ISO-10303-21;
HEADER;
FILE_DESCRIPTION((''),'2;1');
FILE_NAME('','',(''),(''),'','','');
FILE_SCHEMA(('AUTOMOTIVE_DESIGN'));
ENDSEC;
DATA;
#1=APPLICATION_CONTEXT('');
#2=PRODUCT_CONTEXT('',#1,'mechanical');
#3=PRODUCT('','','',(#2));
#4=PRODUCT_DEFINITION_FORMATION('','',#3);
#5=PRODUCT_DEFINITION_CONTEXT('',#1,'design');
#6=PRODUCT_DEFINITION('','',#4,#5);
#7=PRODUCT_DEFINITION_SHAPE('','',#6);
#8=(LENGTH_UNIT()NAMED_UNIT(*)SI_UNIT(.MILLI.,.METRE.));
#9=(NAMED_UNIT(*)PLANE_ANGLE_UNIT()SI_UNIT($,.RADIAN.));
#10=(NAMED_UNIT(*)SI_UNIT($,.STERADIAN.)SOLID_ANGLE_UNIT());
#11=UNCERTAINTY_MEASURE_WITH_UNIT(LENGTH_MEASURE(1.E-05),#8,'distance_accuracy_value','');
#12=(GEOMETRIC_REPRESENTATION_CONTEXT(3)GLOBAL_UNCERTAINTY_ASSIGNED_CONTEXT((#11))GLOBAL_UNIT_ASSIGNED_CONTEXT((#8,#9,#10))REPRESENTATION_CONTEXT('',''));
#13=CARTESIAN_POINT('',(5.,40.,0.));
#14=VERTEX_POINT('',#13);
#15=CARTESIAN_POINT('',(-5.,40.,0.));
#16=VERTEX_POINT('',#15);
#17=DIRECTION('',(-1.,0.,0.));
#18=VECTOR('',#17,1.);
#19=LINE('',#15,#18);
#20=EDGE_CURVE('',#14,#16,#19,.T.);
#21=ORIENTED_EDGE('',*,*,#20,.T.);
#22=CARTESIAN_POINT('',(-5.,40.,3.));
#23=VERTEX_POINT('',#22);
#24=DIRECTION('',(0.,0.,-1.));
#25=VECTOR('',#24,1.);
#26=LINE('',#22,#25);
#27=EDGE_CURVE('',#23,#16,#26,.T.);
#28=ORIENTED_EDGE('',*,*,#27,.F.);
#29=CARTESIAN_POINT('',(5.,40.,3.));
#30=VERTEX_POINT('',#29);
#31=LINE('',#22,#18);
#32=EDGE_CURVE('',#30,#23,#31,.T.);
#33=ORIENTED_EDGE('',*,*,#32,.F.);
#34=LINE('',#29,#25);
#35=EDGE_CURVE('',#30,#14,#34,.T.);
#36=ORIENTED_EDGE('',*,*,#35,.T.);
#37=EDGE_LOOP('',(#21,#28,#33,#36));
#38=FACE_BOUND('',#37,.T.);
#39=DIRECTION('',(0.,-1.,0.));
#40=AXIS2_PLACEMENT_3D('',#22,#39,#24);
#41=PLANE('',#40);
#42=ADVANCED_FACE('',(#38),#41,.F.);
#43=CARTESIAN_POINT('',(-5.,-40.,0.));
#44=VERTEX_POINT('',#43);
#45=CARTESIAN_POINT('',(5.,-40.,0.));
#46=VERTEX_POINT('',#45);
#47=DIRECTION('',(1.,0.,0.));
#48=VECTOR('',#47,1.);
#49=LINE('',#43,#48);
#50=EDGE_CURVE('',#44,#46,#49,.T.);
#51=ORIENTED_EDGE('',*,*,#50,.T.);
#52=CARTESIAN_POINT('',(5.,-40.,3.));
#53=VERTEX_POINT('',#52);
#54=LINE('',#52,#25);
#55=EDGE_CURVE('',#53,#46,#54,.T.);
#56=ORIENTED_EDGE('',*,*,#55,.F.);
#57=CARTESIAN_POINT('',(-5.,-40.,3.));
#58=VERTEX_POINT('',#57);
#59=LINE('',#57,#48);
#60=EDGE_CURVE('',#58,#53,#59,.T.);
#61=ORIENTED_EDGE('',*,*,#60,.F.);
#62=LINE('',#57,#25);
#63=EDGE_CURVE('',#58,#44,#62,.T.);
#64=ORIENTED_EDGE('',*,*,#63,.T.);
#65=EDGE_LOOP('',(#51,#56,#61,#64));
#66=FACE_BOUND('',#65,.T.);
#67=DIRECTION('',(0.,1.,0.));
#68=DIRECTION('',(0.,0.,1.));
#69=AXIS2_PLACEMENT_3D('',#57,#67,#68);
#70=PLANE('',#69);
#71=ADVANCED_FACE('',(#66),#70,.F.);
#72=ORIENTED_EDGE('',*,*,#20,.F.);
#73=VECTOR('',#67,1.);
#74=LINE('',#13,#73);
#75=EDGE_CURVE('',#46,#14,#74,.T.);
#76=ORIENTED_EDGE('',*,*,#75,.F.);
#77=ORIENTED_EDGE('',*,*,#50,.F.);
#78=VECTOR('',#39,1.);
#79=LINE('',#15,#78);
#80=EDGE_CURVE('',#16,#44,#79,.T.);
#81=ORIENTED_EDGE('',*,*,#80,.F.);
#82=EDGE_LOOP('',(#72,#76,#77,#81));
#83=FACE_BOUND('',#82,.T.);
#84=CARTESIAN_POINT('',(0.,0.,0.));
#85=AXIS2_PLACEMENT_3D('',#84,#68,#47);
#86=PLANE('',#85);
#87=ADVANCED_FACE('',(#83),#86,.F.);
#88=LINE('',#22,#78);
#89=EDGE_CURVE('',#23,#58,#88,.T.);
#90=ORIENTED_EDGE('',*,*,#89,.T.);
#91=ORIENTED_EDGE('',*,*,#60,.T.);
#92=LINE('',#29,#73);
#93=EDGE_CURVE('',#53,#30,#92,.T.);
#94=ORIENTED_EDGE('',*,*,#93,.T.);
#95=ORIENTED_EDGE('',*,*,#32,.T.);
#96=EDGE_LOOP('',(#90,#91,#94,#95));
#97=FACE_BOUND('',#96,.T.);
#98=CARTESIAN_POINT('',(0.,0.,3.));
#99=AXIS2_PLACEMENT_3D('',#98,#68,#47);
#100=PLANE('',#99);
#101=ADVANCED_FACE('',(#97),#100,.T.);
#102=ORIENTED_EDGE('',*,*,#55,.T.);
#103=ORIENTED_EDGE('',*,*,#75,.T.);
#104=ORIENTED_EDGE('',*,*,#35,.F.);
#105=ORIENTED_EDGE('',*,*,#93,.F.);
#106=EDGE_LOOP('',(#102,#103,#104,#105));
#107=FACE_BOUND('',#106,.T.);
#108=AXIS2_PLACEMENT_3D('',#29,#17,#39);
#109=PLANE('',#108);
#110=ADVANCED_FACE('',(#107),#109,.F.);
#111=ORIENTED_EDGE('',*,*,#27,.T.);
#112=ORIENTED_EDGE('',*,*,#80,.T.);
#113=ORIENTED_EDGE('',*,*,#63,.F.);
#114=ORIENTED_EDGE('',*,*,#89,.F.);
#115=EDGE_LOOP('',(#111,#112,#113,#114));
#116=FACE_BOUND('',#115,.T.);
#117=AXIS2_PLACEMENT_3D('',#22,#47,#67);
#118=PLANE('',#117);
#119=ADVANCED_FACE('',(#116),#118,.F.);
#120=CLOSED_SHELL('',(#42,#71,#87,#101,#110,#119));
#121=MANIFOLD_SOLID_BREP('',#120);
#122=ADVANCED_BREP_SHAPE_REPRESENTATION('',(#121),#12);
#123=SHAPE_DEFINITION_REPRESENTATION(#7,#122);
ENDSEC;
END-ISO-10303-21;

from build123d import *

# Parameters (mm, degrees)
SKETCH1_W           = 10
SKETCH1_H           = 80
BOSS_EXTRUDE1_DEPTH = 3


with BuildPart() as part:
    # Sketch1 → Boss-Extrude1 (new body)
    with BuildSketch(Plane.XY):
        Rectangle(SKETCH1_W, SKETCH1_H)
    extrude(amount=BOSS_EXTRUDE1_DEPTH)


solid = part.part
